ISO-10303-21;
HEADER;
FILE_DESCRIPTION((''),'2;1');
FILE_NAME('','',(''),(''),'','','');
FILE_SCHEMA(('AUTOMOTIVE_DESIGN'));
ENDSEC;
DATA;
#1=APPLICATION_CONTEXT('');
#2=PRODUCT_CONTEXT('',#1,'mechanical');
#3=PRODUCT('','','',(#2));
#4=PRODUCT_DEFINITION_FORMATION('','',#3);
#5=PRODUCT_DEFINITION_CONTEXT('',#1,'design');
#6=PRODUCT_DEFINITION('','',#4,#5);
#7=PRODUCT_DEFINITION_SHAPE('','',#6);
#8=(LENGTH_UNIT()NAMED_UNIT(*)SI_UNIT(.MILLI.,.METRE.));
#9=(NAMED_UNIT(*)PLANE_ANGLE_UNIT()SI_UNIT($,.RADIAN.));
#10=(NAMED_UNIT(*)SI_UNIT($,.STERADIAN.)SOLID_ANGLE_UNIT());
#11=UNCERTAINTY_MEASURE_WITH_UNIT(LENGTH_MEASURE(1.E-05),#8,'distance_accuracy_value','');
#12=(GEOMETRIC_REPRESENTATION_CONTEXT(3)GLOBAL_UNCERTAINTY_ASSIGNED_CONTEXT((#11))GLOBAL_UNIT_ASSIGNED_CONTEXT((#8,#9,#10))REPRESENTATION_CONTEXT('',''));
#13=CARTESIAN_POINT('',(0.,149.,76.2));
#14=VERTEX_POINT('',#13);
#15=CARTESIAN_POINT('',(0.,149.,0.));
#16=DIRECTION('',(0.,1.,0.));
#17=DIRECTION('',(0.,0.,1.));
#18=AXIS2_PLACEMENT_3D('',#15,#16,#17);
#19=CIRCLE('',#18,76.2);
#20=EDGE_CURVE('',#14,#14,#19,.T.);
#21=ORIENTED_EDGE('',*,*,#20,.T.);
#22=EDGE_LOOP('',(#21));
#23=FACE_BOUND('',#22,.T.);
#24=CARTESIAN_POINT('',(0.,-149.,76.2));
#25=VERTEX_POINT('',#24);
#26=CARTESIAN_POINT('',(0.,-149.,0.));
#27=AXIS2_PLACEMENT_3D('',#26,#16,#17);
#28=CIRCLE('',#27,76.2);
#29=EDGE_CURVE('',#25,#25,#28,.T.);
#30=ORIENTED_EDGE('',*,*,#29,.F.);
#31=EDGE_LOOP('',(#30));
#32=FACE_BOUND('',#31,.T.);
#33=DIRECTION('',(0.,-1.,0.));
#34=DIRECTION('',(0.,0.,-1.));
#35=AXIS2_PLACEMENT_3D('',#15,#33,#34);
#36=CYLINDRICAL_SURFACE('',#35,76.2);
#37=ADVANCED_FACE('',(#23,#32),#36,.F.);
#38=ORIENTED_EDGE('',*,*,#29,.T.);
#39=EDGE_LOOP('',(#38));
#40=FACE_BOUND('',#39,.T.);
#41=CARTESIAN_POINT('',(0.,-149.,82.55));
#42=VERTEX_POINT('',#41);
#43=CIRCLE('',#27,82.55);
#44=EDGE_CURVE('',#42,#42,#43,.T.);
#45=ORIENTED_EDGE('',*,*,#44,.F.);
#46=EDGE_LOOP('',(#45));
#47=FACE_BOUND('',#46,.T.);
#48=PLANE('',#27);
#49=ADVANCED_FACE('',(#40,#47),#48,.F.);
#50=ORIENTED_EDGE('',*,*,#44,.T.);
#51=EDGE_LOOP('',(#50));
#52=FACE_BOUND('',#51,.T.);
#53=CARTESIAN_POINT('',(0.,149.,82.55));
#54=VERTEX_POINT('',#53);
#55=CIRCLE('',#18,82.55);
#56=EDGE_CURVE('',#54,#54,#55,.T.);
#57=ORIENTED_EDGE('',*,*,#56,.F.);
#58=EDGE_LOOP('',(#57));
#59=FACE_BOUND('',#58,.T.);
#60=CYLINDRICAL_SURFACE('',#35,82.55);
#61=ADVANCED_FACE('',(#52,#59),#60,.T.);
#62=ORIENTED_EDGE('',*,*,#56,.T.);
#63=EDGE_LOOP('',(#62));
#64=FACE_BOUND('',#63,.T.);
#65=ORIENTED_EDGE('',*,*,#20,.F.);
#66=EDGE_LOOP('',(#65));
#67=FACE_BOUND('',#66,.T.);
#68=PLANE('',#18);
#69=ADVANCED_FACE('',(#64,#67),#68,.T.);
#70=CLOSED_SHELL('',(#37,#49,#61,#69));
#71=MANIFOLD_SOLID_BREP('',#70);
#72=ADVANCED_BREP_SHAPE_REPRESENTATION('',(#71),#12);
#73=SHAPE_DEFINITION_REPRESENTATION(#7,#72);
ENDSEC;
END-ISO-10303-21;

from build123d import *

# Parameters (mm, degrees)
SKETCH1_R           = 82.55
SKETCH1_R_2         = 76.2
BOSS_EXTRUDE1_DEPTH = 149


with BuildPart() as part:
    # Sketch1 → Boss-Extrude1 (new body, symmetric)
    with BuildSketch(Plane(origin=(0, 0, 0), x_dir=(1, 0, 0), z_dir=(0, 1, 0))):
        Circle(SKETCH1_R)
        Circle(SKETCH1_R_2, mode=Mode.SUBTRACT)
    extrude(amount=BOSS_EXTRUDE1_DEPTH, both=True)


solid = part.part
